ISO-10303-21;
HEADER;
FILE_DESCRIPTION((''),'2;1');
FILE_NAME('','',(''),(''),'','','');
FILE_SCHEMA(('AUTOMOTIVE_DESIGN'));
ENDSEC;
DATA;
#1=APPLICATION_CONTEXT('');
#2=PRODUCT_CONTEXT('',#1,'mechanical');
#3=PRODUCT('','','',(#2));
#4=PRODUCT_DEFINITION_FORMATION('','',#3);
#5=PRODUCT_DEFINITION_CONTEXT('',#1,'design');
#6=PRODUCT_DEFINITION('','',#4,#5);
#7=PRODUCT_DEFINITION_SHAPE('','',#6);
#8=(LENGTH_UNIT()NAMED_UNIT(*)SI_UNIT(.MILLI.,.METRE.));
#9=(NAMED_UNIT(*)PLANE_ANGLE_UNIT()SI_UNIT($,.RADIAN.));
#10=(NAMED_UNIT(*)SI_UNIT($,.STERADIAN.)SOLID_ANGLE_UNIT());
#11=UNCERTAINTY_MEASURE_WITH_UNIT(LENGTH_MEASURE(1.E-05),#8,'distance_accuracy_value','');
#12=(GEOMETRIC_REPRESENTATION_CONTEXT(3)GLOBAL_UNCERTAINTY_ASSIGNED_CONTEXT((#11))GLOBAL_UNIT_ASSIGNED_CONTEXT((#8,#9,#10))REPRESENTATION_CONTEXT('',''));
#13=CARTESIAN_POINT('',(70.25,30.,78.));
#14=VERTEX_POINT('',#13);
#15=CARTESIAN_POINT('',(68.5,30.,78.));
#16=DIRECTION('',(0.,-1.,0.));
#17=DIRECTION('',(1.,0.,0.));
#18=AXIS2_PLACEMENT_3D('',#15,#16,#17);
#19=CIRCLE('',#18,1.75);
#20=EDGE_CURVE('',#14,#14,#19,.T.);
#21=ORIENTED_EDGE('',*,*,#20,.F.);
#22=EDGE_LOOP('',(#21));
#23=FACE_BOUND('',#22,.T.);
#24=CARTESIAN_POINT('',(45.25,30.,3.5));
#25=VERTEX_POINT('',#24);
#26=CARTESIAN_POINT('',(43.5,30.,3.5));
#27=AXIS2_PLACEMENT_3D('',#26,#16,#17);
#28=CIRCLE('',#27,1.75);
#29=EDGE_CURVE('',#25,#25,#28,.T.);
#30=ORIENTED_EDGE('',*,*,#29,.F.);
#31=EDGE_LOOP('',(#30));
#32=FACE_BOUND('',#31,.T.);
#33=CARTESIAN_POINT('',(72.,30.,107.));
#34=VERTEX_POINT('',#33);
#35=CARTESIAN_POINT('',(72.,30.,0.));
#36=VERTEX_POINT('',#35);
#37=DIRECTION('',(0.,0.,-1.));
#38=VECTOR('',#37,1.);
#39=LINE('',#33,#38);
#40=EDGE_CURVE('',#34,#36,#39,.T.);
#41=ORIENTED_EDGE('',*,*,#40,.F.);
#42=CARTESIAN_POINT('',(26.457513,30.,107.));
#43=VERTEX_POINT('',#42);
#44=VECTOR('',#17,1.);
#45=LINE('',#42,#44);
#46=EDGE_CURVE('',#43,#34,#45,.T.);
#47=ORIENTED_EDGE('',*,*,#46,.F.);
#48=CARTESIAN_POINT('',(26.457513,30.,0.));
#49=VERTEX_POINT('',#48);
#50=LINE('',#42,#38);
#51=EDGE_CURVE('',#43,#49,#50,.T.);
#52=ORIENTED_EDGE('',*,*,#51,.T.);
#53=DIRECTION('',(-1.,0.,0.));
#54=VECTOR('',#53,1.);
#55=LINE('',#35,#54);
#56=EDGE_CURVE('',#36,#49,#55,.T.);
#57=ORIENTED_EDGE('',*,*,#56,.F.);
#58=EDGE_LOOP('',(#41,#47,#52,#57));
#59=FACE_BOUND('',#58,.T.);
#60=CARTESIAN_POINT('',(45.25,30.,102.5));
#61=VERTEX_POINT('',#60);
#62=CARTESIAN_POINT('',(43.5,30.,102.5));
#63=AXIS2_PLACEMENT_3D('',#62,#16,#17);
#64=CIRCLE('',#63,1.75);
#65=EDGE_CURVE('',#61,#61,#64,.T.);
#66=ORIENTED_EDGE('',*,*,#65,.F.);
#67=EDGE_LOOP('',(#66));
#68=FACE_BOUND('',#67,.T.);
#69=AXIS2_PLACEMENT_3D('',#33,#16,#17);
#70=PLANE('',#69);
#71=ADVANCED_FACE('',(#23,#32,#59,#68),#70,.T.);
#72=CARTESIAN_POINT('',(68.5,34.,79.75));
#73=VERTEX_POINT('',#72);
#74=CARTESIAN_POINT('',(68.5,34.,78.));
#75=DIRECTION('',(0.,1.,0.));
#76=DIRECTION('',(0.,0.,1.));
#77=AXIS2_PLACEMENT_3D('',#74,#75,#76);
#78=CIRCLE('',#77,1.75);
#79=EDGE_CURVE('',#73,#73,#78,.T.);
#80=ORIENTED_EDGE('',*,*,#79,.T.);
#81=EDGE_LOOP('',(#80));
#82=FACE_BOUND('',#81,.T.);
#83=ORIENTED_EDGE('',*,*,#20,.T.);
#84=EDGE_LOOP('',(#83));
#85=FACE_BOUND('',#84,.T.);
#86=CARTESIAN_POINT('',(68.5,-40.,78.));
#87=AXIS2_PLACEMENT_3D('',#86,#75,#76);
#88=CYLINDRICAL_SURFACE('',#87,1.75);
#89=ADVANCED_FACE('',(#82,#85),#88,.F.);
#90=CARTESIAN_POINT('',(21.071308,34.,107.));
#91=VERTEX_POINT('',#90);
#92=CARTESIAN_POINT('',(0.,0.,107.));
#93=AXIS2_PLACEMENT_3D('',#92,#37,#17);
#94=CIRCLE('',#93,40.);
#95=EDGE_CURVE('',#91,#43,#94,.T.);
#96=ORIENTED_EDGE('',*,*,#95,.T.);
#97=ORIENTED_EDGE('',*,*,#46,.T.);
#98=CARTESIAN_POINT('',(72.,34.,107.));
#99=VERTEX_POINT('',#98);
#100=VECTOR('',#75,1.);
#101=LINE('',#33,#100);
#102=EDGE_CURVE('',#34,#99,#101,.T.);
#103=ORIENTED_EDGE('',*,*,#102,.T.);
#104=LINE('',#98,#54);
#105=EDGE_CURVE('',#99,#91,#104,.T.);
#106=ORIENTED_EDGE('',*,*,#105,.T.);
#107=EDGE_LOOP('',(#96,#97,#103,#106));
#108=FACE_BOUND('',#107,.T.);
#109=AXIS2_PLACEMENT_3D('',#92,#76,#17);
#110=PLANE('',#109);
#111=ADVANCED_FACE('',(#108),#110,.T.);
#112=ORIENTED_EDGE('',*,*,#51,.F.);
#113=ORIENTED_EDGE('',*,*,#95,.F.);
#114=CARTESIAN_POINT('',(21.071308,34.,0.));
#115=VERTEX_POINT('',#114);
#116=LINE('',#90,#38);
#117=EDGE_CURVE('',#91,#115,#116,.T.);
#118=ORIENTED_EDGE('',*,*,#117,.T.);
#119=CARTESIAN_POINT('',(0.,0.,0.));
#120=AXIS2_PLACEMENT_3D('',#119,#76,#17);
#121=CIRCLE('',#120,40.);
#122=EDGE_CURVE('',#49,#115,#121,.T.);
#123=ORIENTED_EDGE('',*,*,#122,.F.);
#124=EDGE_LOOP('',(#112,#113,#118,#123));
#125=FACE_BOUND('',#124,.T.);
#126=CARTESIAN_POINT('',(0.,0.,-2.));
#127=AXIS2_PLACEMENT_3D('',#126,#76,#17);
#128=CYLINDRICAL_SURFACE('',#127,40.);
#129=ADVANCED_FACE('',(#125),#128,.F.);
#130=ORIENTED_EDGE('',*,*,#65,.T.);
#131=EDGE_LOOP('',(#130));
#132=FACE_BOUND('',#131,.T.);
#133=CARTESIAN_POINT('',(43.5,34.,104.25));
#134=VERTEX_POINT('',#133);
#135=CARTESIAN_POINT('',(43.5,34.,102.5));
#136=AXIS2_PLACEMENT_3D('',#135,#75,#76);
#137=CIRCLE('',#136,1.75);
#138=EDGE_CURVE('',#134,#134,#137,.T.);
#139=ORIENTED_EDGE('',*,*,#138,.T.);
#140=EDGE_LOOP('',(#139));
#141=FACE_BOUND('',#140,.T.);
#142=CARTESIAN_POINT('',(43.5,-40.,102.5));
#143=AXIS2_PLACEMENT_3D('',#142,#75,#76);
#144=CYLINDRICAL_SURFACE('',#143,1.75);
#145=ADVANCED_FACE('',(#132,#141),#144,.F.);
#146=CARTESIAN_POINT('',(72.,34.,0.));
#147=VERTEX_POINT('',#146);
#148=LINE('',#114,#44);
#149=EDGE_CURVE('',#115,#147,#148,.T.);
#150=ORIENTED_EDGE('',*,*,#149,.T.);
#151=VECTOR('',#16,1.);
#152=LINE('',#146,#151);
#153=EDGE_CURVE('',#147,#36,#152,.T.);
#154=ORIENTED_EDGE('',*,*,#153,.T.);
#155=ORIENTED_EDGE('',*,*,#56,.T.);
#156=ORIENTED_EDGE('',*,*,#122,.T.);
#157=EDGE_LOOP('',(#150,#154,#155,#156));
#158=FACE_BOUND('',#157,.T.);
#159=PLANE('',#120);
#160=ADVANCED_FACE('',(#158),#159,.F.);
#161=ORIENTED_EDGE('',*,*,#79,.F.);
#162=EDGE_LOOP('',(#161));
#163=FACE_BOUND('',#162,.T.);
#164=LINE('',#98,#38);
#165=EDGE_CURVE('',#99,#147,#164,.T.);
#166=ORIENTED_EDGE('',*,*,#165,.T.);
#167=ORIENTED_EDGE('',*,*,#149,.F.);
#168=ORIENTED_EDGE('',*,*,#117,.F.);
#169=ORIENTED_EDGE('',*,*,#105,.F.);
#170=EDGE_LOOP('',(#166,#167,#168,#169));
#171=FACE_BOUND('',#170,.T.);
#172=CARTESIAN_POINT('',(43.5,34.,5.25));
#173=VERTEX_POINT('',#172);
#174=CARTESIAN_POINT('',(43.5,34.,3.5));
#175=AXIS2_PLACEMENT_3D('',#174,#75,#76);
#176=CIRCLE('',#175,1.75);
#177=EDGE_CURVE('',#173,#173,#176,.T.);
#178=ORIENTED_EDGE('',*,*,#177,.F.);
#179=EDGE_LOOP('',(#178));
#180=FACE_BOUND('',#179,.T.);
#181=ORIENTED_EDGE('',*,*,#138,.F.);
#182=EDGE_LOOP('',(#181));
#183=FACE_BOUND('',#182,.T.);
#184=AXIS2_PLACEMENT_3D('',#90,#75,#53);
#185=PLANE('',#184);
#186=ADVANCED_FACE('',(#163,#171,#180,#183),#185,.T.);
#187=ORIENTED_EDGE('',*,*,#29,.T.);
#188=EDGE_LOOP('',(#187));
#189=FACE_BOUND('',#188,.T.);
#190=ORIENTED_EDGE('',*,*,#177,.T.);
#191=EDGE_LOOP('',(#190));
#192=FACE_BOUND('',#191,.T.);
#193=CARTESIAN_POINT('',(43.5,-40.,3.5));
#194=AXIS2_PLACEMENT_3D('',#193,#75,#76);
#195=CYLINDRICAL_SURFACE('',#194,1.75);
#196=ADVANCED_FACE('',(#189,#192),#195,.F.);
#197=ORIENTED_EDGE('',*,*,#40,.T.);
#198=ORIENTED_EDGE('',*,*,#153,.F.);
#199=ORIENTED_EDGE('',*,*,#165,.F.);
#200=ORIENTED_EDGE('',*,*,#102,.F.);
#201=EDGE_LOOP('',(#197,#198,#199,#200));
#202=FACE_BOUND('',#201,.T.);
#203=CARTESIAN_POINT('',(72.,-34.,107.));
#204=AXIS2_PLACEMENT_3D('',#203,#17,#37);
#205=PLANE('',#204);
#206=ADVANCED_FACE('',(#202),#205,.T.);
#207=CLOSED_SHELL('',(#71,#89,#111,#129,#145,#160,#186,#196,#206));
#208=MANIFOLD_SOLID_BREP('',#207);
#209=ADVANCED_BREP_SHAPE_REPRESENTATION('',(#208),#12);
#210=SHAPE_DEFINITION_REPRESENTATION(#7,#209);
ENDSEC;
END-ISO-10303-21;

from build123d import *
from build123d.topology import SkipClean

# Parameters (mm, degrees)
SKETCH1_R                      = 40
SKETCH1_R_2                    = 38
BOSS_EXTRUDE1_DEPTH            = 200
SKETCH2_R                      = 40
BOSS_EXTRUDE2_DEPTH            = 2
BOSS_EXTRUDE3_DEPTH            = 107
BOSS_EXTRUDE4_DEPTH            = 2
SKETCH5_R                      = 1.75
CUT_EXTRUDE1_DEPTH             = 226.077764339
CUT_EXTRUDE2_REACH             = 218.296
SKETCH6_R                      = 4
CUT_EXTRUDE2_DIRECTION_2_REACH = 218.296
CIRPATTERN1_COUNT              = 2
CIRPATTERN1_ANGLE              = 90
BOSS_EXTRUDE5_REACH            = 241.742
BOSS_EXTRUDE5_END_RADIUS       = 40
SKETCH7_W                      = 14
SKETCH7_H                      = 2
CUT_EXTRUDE3_REACH             = 221.073
SKETCH8_R                      = 1.75
FILLET1_R                      = 3
CUT_EXTRUDE4_REACH             = 220.598
SKETCH9_R                      = 0.25
BOSS_EXTRUDE6_START            = 2
BOSS_EXTRUDE6_DEPTH            = 2
SKETCH11_R                     = 38
CUT_EXTRUDE5_DEPTH             = 219.146739623
CUT_EXTRUDE6_DEPTH             = 2


with BuildPart() as part:
    # Sketch1 → Boss-Extrude1 (new body)
    with BuildSketch(Plane.XY):
        Circle(SKETCH1_R)
        Circle(SKETCH1_R_2, mode=Mode.SUBTRACT)
    extrude(amount=BOSS_EXTRUDE1_DEPTH)

    # Sketch2 → Boss-Extrude2 (add)
    with BuildSketch(Plane.XY.offset(180)):
        Circle(SKETCH2_R)
    extrude(amount=BOSS_EXTRUDE2_DEPTH)

    # Sketch3 → Boss-Extrude3 (add)
    with BuildSketch(Plane(origin=(0, 0, 0), x_dir=(-1, 0, 0), z_dir=(0, 0, -1))):
        with BuildLine():
            Line((-21.071307506, -34), (-72, -34))
            Line((-72, -34), (-72, -30))
            Line((-72, -30), (-26.457513111, -30))
            ThreePointArc((-26.457513111, -30), (-23.848421275, -32.113125085), (-21.071307506, -34))
        make_face()
        with BuildLine():
            Line((-21.071307506, 34), (-72, 34))
            Line((-72, 34), (-72, 30))
            Line((-72, 30), (-26.457513111, 30))
            ThreePointArc((-26.457513111, 30), (-23.848421275, 32.113125085), (-21.071307506, 34))
        make_face()
    extrude(amount=-BOSS_EXTRUDE3_DEPTH)

    # Sketch4 → Boss-Extrude4 (add)
    with BuildSketch(Plane.XY.offset(107)):
        with BuildLine():
            Line((72, -34), (21.071307506, -34))
            ThreePointArc((21.071307506, -34), (40, 0), (21.071307506, 34))
            Line((21.071307506, 34), (72, 34))
            Line((72, 34), (72, -34))
        make_face()
    extrude(amount=BOSS_EXTRUDE4_DEPTH)

    # Sketch5 → Cut-Extrude1 (cut, through all)
    with BuildSketch(Plane(origin=(0, 34, 0), x_dir=(1, 0, 0), z_dir=(0, 1, 0))):
        with Locations(Location((43.5, -102.5, 0), (0, 0, 270))):
            Circle(SKETCH5_R)
        with Locations(Location((43.5, -3.5, 0), (0, 0, 270))):
            Circle(SKETCH5_R)
        with Locations(Location((68.5, -78, 0), (0, 0, 270))):
            Circle(SKETCH5_R)
    extrude(amount=-CUT_EXTRUDE1_DEPTH, mode=Mode.SUBTRACT)

    # Sketch6 → Cut-Extrude2 (cut, up to next)
    with BuildSketch(Plane(origin=(0, 0, 0), x_dir=(0, 0, 1), z_dir=(-0.7071067811865488, 0.7071067811865464, 0)), mode=Mode.PRIVATE) as cut_extrude2_sk1:
        with Locations(Location((187, 0, 0), (0, 0, 90))):
            Circle(SKETCH6_R)
    cut_extrude2_tool1 = extrude(cut_extrude2_sk1.sketch, amount=-CUT_EXTRUDE2_REACH, mode=Mode.PRIVATE) & part.part
    cut_extrude2 = cut_extrude2_tool1.solids().sort_by_distance((0, 0, 187))[0]
    add(cut_extrude2, mode=Mode.SUBTRACT)

    # Sketch6 → Cut-Extrude2 direction 2 (cut, up to next)
    with BuildSketch(Plane(origin=(0, 0, 0), x_dir=(0, 0, 1), z_dir=(-0.7071067811865488, 0.7071067811865464, 0)), mode=Mode.PRIVATE) as cut_extrude2_direction_2_sk1:
        with Locations(Location((187, 0, 0), (0, 0, 90))):
            Circle(SKETCH6_R)
    cut_extrude2_direction_2_tool1 = extrude(cut_extrude2_direction_2_sk1.sketch, amount=CUT_EXTRUDE2_DIRECTION_2_REACH, mode=Mode.PRIVATE) & part.part
    cut_extrude2_direction_2 = cut_extrude2_direction_2_tool1.solids().sort_by_distance((0, 0, 187))[0]
    add(cut_extrude2_direction_2, mode=Mode.SUBTRACT)

    # CirPattern1: Cut-Extrude2, Cut-Extrude2 direction 2 ×2 about axis
    cirpattern1_axis = Axis((0, 0, -5.35), (0, 0, 1))
    add([cut_extrude2.rotate(cirpattern1_axis, i * CIRPATTERN1_ANGLE / (CIRPATTERN1_COUNT - 1)) for i in range(1, CIRPATTERN1_COUNT)], mode=Mode.SUBTRACT)
    add([cut_extrude2_direction_2.rotate(cirpattern1_axis, i * CIRPATTERN1_ANGLE / (CIRPATTERN1_COUNT - 1)) for i in range(1, CIRPATTERN1_COUNT)], mode=Mode.SUBTRACT)

    # Boss-Extrude5: up to this cylinder (the profile starts outside it)
    boss_extrude5_end = Plane(origin=(0, 0, 7), z_dir=(0, 0, -1)) * Cylinder(BOSS_EXTRUDE5_END_RADIUS, 564.484, mode=Mode.PRIVATE)
    # Sketch7 → Boss-Extrude5 (add, up to the surface)
    with BuildSketch(Plane(origin=(-54, 0, 0), x_dir=(0, 0, -1), z_dir=(1, 0, 0)), mode=Mode.PRIVATE) as boss_extrude5_sk1:
        with Locations((-7, -12)):
            Rectangle(SKETCH7_W, SKETCH7_H)
    boss_extrude5_tool1 = extrude(boss_extrude5_sk1.sketch, amount=BOSS_EXTRUDE5_REACH, mode=Mode.PRIVATE) - boss_extrude5_end
    add(boss_extrude5_tool1.solids().sort_by_distance((-54, -12, 7))[0])
    # Sketch7 → Boss-Extrude5 (add, up to the surface)
    with BuildSketch(Plane(origin=(-54, 0, 0), x_dir=(0, 0, -1), z_dir=(1, 0, 0)), mode=Mode.PRIVATE) as boss_extrude5_sk2:
        with Locations((-7, 12)):
            Rectangle(SKETCH7_W, SKETCH7_H)
    boss_extrude5_tool2 = extrude(boss_extrude5_sk2.sketch, amount=BOSS_EXTRUDE5_REACH, mode=Mode.PRIVATE) - boss_extrude5_end
    add(boss_extrude5_tool2.solids().sort_by_distance((-54, 12, 7))[0])

    # Cut-Extrude3: up to this face of the body (flat: up to its plane)
    cut_extrude3_end = Plane(part.part.faces().sort_by_distance((-45.914280319, 13, 7))[0])
    # Sketch8 → Cut-Extrude3 (cut, up to the picked face)
    with BuildSketch(Plane.XZ.offset(13), mode=Mode.PRIVATE) as cut_extrude3_sk1:
        with Locations(Location((-49.770305539, 5.008755099, 0), (0, 0, 270))):
            Circle(SKETCH8_R)
    cut_extrude3_tool1 = split(extrude(cut_extrude3_sk1.sketch, amount=-CUT_EXTRUDE3_REACH, mode=Mode.PRIVATE), bisect_by=cut_extrude3_end, keep=Keep.BOTH, mode=Mode.PRIVATE)
    add(cut_extrude3_tool1.solids().sort_by(Axis((-49.770306, -13, 5.008755), (0, 1, 0)))[0], mode=Mode.SUBTRACT)

    # Fillet1
    fillet1_edges = [part.edges().sort_by_distance(p)[0] for p in [
        (-54, -12, 14),
        (-54, -12, 0),
        (-54, 12, 0),
        (-54, 12, 14),
    ]]
    fillet(fillet1_edges, radius=FILLET1_R)

    # Sketch9 → Cut-Extrude4 (cut, up to next)
    with BuildSketch(Plane.XZ.offset(-11), mode=Mode.PRIVATE) as cut_extrude4_sk1:
        with Locations(Location((-43.770305539, 7.008755099, 0), (0, 0, 270))):
            Circle(SKETCH9_R)
    cut_extrude4_tool1 = extrude(cut_extrude4_sk1.sketch, amount=-CUT_EXTRUDE4_REACH, mode=Mode.PRIVATE) & part.part
    add(cut_extrude4_tool1.solids().sort_by_distance((-43.770306, 11, 7.008755))[0], mode=Mode.SUBTRACT)

    # Sketch10 → Boss-Extrude6 (add)
    with SkipClean():  # the faces are left unmerged after this step: merging them gives an invalid solid
        with BuildSketch(Plane(origin=(0, 0, 0), x_dir=(-1, 0, 0), z_dir=(0, 0, -1)).offset(BOSS_EXTRUDE6_START)):
            with BuildLine():
                ThreePointArc((10, -36.66060556), (0, -38), (-10, -36.66060556))
                Line((-10, -36.66060556), (-10, -38.729833462))
                ThreePointArc((-10, -38.729833462), (0, -40), (10, -38.729833462))
                Line((10, -38.729833462), (10, -36.66060556))
            make_face()
            with BuildLine():
                ThreePointArc((10, 38.729833462), (0, 40), (-10, 38.729833462))
                Line((-10, 38.729833462), (-10, 36.66060556))
                ThreePointArc((-10, 36.66060556), (0, 38), (10, 36.66060556))
                Line((10, 36.66060556), (10, 38.729833462))
            make_face()
        extrude(amount=-BOSS_EXTRUDE6_DEPTH)

    # Sketch11 → Cut-Extrude5 (cut, through all)
    # profile 1 of 4: a face of its own
    with BuildSketch(Plane.XY.offset(200)):
        with BuildLine():
            ThreePointArc((-1.947772516, -39.952549133), (-40, 0), (-1.947772516, 39.952549133))
            ThreePointArc((-1.947772516, 39.952549133), (-79.070653643, 0), (-1.947772516, -39.952549133))
        make_face()
    # profile 2 of 4: a face of its own
    with BuildSketch(Plane.XY.offset(200)):
        with BuildLine():
            ThreePointArc((40, 0), (36.457513111, 16.457513111), (26.457513111, 30))
            ThreePointArc((26.457513111, 30), (23.848421275, 32.113125085), (21.071307506, 34))
            ThreePointArc((21.071307506, 34), (10.014270214, 38.726146104), (-1.947772516, 39.952549133))
            ThreePointArc((-1.947772516, 39.952549133), (-40, 0), (-1.947772516, -39.952549133))
            ThreePointArc((-1.947772516, -39.952549133), (10.014270214, -38.726146104), (21.071307506, -34))
            ThreePointArc((21.071307506, -34), (34.94890771, -19.456974325), (40, 0))
        make_face()
        Circle(SKETCH11_R, mode=Mode.SUBTRACT)
    # profile 3 of 4: a face of its own
    with BuildSketch(Plane.XY.offset(200)):
        with BuildLine():
            Line((72, -34), (72, 30))
            Line((72, 30), (26.457513111, 30))
            ThreePointArc((26.457513111, 30), (36.457513111, 16.457513111), (40, 0))
            ThreePointArc((40, 0), (34.94890771, -19.456974325), (21.071307506, -34))
            Line((21.071307506, -34), (72, -34))
        make_face()
    # profile 4 of 4: a face of its own
    with BuildSketch(Plane.XY.offset(200)):
        Circle(SKETCH11_R)
    extrude(amount=-CUT_EXTRUDE5_DEPTH, mode=Mode.SUBTRACT)

    # Sketch12 → Cut-Extrude6 (cut)
    with BuildSketch(Plane.XY.offset(109)):
        with BuildLine():
            Line((26.457513111, 30), (72, 30))
            Line((72, 30), (72, 34))
            Line((72, 34), (21.071307506, 34))
            ThreePointArc((21.071307506, 34), (23.848421275, 32.113125085), (26.457513111, 30))
        make_face()
    extrude(amount=-CUT_EXTRUDE6_DEPTH, mode=Mode.SUBTRACT)


solid = part.part
